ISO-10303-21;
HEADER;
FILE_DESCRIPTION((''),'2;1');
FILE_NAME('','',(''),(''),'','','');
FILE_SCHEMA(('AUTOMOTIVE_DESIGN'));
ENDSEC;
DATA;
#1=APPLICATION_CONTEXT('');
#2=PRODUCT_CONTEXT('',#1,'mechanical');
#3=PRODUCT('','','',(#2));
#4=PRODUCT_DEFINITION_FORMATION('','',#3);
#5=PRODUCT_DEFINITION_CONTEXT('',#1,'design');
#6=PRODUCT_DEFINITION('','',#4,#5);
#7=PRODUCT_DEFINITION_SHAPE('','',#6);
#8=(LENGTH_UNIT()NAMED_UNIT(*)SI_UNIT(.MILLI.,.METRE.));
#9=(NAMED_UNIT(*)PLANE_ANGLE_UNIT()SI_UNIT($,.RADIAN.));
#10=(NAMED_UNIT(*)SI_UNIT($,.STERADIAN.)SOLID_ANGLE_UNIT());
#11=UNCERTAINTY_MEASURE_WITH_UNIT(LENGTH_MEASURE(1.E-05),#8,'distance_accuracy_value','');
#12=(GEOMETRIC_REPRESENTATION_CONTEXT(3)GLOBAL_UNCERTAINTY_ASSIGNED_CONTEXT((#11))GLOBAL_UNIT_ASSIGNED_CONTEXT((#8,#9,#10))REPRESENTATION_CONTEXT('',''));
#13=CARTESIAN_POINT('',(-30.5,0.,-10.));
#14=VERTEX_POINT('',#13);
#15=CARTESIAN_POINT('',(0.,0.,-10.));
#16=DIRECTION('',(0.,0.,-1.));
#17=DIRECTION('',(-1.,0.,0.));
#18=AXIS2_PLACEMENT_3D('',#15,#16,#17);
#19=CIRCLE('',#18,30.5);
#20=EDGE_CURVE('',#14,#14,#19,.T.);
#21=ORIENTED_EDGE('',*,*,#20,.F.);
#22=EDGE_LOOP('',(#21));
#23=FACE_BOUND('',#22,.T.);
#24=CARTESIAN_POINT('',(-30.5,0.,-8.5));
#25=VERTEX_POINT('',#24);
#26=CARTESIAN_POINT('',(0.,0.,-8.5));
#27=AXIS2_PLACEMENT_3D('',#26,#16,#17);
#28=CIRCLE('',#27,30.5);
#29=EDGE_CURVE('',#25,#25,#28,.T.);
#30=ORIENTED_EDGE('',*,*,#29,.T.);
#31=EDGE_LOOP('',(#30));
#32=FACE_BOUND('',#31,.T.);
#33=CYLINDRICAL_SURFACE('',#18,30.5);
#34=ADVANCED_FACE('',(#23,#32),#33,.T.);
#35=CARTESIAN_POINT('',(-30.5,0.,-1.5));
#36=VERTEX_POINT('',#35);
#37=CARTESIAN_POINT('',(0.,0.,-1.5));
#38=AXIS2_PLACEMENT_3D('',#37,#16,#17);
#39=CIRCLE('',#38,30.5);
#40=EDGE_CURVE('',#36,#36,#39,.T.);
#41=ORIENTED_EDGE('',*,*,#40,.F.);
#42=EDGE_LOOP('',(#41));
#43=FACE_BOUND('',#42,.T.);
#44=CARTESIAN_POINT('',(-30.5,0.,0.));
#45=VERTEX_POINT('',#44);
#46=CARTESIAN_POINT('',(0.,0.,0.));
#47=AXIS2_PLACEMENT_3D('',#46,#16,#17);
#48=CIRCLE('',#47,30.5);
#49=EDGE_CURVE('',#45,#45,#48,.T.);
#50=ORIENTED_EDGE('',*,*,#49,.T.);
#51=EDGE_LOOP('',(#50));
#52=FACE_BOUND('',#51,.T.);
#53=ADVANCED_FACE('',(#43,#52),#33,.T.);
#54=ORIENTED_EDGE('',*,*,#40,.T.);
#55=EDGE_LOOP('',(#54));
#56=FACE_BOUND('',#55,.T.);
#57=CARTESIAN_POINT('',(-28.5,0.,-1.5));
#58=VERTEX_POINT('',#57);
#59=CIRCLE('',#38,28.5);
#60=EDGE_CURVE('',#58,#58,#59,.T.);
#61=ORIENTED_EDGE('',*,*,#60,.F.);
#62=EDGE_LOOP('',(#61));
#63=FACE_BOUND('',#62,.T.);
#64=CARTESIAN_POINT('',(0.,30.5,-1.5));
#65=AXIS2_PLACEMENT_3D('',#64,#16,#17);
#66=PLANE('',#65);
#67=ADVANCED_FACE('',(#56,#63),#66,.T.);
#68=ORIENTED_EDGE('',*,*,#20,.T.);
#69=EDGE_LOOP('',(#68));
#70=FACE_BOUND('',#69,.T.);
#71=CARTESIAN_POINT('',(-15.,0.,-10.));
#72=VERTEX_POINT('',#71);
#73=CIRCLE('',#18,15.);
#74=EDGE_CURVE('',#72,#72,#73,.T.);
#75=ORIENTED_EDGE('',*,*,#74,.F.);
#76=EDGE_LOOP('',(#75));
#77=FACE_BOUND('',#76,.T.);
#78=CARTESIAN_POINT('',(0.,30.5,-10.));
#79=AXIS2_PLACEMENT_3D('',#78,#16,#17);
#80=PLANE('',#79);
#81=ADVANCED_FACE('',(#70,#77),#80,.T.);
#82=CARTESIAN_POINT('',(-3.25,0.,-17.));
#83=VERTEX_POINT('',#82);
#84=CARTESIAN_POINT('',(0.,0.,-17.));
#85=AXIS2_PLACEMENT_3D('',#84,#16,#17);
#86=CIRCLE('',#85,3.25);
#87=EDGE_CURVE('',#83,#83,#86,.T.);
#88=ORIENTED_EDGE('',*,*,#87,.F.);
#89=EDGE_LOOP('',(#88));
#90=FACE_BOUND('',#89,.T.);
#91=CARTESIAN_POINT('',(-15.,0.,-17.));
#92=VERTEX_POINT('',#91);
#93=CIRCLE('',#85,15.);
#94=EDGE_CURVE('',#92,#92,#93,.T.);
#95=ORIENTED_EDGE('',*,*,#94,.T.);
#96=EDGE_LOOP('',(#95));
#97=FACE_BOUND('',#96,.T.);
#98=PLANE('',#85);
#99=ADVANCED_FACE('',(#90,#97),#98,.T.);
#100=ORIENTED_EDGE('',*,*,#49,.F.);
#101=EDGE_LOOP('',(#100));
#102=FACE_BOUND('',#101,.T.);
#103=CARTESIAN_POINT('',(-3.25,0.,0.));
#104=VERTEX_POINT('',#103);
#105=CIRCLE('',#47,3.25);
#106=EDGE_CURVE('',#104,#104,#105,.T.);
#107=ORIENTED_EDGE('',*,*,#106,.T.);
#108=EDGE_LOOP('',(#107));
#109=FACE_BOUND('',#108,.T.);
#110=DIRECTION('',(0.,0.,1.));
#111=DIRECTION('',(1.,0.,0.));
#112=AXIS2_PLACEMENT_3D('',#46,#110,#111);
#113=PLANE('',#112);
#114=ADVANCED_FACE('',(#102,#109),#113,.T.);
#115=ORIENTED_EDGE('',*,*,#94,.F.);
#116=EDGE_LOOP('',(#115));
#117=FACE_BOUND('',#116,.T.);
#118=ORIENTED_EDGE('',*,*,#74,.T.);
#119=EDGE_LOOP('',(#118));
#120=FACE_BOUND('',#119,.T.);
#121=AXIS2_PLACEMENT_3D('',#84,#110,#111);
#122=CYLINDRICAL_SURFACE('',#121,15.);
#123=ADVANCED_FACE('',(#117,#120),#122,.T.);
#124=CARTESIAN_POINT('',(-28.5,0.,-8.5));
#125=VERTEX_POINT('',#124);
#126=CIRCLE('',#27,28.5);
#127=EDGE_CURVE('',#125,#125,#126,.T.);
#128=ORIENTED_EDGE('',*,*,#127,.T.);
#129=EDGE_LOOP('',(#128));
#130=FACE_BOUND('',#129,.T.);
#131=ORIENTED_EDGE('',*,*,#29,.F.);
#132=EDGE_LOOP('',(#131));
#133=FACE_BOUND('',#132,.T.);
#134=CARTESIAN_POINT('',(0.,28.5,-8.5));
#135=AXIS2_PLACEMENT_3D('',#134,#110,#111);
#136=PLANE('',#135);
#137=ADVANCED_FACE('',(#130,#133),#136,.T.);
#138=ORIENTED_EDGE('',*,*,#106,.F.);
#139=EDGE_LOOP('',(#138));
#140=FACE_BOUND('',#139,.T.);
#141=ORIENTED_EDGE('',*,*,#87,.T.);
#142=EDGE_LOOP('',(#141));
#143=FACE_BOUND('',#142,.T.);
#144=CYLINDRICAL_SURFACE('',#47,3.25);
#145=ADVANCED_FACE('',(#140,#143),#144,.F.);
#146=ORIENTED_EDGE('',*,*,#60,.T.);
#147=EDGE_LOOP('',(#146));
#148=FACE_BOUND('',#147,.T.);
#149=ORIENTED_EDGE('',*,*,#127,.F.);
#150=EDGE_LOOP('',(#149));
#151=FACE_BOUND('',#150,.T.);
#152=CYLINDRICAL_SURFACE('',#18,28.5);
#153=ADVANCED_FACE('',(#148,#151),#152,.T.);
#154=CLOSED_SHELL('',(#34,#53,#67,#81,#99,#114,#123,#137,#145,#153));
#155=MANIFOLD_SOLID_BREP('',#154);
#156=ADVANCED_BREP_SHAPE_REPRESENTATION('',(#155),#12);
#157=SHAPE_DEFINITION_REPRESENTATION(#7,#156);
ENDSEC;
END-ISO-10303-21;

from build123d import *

# Parameters (mm, degrees)
SKETCH_3_R          = 15
EXTRUDE_1_DEPTH     = 7
SKETCH_4_R          = 3.25
CUT_EXTRUDE_1_DEPTH = 18


with BuildPart() as part:
    # Эскиз2 → Повернуть1 (revolve)
    with BuildSketch(Plane(origin=(0, 0, 0), x_dir=(0, 0, -1), z_dir=(1, 0, 0))):
        Polygon((0, 0), (0, 30.5), (1.5, 30.5), (1.5, 28.5), (8.5, 28.5), (8.5, 30.5), (10, 30.5), (10, 0), align=None)
    revolve(axis=Axis((0, 0, -10), (0, 0, 1)))

    # Эскиз3 → Бобышка-Вытянуть1 (add)
    with BuildSketch(Plane(origin=(0, 0, -10), x_dir=(-1, 0, 0), z_dir=(0, 0, -1))):
        Circle(SKETCH_3_R)
    extrude(amount=EXTRUDE_1_DEPTH)

    # Эскиз4 → Вырез-Вытянуть1 (cut, through all)
    with BuildSketch(Plane(origin=(0, 0, -17), x_dir=(-1, 0, 0), z_dir=(0, 0, -1))):
        Circle(SKETCH_4_R)
    extrude(amount=-CUT_EXTRUDE_1_DEPTH, mode=Mode.SUBTRACT)


solid = part.part
